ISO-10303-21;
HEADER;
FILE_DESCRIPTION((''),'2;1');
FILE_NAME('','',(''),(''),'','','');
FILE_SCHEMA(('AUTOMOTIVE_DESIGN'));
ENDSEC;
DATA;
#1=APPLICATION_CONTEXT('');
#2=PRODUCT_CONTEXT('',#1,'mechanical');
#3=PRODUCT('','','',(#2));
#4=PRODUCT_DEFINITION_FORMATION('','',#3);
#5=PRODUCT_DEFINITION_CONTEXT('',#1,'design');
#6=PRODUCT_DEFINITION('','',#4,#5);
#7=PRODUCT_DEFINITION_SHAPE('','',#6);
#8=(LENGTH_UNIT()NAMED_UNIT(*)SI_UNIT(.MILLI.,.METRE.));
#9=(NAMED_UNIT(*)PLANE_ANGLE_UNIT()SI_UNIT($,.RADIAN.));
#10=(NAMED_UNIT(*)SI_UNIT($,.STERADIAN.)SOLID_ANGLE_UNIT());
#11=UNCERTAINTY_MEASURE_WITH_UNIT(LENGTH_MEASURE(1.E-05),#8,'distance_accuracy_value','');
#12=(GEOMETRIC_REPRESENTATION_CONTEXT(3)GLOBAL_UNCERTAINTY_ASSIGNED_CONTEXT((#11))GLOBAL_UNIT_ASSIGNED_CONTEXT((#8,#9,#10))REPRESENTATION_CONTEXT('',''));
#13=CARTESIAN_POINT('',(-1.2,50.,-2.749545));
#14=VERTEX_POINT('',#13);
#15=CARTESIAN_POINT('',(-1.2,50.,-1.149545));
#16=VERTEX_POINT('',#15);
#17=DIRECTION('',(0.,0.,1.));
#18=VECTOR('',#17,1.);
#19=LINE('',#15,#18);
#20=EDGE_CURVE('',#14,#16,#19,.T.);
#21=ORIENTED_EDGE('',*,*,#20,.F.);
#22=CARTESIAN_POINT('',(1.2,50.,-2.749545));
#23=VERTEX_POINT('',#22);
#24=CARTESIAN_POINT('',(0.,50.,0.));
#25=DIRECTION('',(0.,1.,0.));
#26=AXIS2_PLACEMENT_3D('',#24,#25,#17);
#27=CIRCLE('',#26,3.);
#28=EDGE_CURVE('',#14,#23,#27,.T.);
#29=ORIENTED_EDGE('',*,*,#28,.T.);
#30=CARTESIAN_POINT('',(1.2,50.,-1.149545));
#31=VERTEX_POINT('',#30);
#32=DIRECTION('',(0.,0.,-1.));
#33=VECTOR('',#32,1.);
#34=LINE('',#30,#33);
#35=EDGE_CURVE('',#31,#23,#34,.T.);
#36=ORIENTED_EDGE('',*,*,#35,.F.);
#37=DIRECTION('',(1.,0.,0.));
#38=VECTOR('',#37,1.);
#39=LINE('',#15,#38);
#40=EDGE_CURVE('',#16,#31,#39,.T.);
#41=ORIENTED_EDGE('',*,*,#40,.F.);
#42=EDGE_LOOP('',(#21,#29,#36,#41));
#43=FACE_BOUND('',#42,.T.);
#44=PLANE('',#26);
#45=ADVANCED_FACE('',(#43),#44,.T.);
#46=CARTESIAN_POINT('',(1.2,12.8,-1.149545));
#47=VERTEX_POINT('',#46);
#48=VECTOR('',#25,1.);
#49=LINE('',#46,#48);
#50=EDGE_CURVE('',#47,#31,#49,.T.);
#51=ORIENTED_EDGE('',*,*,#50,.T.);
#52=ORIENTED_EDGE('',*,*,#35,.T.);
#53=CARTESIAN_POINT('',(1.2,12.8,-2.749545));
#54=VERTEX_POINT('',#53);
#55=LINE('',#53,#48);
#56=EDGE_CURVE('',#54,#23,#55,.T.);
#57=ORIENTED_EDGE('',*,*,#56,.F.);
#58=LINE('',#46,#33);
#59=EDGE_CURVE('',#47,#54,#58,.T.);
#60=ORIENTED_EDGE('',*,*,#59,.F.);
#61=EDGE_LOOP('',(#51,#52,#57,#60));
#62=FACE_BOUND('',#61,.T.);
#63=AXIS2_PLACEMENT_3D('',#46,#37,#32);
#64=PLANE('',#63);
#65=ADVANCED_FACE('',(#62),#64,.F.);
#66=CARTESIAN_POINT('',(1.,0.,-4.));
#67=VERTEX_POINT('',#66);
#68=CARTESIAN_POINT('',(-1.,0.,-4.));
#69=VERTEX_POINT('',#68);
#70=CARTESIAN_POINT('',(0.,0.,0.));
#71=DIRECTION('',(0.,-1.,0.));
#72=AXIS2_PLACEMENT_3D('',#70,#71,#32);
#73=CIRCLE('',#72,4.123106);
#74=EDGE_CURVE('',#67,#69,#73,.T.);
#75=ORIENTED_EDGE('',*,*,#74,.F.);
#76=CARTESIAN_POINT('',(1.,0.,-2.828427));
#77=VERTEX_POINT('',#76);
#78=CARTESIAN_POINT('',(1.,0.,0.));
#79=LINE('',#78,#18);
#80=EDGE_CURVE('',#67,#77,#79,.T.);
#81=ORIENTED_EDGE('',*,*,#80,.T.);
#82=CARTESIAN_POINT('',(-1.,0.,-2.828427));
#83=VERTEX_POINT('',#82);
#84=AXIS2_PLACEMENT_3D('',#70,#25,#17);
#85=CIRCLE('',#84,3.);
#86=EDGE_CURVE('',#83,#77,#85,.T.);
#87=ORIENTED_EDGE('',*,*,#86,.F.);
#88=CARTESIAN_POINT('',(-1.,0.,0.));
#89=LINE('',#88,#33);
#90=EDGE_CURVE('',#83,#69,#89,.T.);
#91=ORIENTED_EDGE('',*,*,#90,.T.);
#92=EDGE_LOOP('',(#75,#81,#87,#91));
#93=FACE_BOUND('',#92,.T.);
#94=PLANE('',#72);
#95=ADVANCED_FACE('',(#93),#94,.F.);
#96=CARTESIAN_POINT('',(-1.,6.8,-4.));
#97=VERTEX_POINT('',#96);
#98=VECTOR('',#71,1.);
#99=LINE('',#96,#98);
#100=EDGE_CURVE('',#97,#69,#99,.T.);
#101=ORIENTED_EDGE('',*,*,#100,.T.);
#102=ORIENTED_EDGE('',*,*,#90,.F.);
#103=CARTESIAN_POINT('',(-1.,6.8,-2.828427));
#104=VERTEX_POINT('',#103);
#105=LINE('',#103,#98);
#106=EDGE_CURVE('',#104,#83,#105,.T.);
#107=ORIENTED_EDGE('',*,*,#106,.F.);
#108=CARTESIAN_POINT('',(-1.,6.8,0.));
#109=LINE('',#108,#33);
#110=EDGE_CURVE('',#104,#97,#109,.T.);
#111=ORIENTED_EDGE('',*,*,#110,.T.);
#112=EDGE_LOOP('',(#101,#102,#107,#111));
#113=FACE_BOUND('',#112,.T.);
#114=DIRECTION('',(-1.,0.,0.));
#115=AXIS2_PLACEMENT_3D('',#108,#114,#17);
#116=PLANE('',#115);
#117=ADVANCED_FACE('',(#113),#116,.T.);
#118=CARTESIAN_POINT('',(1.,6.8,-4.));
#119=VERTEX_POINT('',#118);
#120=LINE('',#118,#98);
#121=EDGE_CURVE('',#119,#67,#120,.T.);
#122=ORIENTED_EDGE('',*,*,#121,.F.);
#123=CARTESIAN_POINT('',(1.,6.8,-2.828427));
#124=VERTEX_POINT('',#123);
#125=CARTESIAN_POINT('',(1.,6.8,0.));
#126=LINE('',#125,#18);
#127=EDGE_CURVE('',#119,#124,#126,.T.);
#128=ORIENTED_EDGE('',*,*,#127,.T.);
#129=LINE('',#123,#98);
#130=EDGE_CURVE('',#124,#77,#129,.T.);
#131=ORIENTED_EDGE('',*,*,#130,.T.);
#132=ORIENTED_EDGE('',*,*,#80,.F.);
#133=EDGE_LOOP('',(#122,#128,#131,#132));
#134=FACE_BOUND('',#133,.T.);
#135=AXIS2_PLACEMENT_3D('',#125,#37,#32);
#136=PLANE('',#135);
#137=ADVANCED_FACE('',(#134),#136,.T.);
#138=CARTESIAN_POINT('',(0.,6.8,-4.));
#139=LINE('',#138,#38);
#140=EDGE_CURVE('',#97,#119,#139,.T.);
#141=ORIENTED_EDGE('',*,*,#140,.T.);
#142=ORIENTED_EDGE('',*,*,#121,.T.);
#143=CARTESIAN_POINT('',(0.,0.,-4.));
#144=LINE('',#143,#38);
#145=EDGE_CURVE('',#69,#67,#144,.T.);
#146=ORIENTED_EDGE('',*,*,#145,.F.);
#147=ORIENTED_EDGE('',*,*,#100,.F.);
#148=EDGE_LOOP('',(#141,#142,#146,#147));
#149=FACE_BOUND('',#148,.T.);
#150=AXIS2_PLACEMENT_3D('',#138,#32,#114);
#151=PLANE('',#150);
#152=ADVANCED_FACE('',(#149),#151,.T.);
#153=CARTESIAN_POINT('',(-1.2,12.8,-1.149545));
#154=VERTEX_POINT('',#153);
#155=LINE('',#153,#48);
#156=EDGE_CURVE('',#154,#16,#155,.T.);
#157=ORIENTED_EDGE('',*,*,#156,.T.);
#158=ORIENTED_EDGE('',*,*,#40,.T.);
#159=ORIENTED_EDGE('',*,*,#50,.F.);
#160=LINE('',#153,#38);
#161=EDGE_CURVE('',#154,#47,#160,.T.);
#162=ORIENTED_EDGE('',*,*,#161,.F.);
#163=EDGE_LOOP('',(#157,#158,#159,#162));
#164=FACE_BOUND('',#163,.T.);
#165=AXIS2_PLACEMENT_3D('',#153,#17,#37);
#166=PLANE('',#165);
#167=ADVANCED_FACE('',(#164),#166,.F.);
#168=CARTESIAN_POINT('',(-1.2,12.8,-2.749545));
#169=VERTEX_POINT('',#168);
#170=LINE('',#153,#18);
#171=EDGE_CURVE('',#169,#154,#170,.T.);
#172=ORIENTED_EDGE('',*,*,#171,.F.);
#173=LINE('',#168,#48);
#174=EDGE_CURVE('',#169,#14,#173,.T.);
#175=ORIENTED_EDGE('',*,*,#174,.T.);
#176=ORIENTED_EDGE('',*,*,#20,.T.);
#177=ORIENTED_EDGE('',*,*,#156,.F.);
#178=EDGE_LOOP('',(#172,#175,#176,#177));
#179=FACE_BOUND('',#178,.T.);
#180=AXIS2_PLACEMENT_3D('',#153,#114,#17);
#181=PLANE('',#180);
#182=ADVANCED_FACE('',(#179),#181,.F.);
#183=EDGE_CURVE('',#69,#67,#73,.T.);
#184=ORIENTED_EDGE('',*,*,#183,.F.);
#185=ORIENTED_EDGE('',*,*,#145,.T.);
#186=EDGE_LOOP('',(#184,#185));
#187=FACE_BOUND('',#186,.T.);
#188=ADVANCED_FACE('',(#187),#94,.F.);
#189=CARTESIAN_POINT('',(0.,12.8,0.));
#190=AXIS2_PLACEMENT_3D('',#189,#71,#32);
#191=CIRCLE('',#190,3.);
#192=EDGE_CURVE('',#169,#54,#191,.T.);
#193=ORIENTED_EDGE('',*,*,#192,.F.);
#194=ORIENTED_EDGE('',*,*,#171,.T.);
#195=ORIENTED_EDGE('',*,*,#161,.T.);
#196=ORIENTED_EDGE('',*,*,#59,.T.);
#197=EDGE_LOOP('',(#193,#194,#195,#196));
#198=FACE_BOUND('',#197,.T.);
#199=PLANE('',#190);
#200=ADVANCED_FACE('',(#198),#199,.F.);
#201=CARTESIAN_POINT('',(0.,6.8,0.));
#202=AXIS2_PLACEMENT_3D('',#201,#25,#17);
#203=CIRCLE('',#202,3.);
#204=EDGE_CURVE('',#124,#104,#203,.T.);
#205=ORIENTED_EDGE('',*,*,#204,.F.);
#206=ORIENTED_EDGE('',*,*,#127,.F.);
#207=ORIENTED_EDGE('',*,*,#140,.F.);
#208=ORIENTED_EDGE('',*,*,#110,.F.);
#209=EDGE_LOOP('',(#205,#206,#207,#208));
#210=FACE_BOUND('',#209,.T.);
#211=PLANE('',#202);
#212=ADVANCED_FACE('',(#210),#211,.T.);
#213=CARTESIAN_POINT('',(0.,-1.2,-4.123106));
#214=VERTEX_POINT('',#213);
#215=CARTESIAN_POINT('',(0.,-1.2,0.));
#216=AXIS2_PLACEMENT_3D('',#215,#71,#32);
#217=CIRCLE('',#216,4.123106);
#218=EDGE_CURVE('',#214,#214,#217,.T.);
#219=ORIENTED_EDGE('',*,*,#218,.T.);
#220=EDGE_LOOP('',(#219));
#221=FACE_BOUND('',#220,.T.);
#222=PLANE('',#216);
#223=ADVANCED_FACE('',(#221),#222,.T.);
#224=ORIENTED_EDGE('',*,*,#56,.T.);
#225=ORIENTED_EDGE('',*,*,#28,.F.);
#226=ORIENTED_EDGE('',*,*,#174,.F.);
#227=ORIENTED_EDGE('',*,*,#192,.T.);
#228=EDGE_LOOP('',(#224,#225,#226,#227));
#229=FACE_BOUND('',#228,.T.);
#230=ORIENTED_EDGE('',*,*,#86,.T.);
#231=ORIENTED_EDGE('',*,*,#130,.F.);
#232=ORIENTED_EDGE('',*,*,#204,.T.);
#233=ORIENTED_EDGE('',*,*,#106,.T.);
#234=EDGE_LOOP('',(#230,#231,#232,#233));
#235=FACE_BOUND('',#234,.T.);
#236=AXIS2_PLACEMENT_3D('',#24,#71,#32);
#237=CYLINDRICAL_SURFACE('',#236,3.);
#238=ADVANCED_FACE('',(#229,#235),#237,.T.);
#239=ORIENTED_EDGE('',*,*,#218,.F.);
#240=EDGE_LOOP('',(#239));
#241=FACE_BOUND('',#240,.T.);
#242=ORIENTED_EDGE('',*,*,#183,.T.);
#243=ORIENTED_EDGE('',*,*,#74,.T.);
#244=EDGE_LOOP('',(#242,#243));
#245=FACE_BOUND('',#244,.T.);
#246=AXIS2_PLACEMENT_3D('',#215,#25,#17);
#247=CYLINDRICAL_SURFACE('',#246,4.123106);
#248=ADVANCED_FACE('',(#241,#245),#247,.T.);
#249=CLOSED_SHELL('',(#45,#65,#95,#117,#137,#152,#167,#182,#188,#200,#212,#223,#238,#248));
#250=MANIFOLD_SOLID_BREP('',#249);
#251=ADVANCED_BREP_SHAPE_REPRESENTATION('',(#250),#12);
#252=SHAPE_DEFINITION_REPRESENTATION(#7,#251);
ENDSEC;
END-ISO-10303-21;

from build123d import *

# Parameters (mm, degrees)
EXTRUDE_2_DEPTH     = 50
EXTRUDE_3_DEPTH     = 6.8
CUT_EXTRUDE_1_DEPTH = 37.2
SKETCH_3_R          = 4.123105626
EXTRUDE_4_DEPTH     = 1.2


with BuildPart() as part:
    # 스케치1 → 보스-돌출2 (new body)
    with BuildSketch(Plane(origin=(0, 0, 0), x_dir=(1, 0, 0), z_dir=(0, 1, 0))):
        with BuildLine():
            ThreePointArc((1, 2.828427125), (0, 3), (-1, 2.828427125))
            ThreePointArc((-1, 2.828427125), (-1.732050808, -2.449489743), (3, 0))
            ThreePointArc((3, 0), (2.449489743, 1.732050808), (1, 2.828427125))
        make_face()
    extrude(amount=EXTRUDE_2_DEPTH)

    # 스케치1<3> → 보스-돌출3 (add)
    with BuildSketch(Plane(origin=(0, 0, 0), x_dir=(1, 0, 0), z_dir=(0, 1, 0))):
        with BuildLine():
            Line((-1, 4), (-1, 2.828427125))
            ThreePointArc((-1, 2.828427125), (0, 3), (1, 2.828427125))
            Line((1, 2.828427125), (1, 4))
            Line((1, 4), (-1, 4))
        make_face()
    extrude(amount=EXTRUDE_3_DEPTH)

    # 스케치2 → 컷-돌출1 (cut)
    with BuildSketch(Plane(origin=(0, 50, 0), x_dir=(1, 0, 0), z_dir=(0, 1, 0))):
        Polygon((-1.2, 1.149545417), (1.2, 1.149545417), (1.2, 2.749545417), (0, 4.828006386), (-1.2, 2.749545417), align=None)
    extrude(amount=-CUT_EXTRUDE_1_DEPTH, mode=Mode.SUBTRACT)

    # 스케치3 → 보스-돌출4 (add)
    with BuildSketch(Plane.XZ):
        Circle(SKETCH_3_R)
    extrude(amount=EXTRUDE_4_DEPTH)


solid = part.part
